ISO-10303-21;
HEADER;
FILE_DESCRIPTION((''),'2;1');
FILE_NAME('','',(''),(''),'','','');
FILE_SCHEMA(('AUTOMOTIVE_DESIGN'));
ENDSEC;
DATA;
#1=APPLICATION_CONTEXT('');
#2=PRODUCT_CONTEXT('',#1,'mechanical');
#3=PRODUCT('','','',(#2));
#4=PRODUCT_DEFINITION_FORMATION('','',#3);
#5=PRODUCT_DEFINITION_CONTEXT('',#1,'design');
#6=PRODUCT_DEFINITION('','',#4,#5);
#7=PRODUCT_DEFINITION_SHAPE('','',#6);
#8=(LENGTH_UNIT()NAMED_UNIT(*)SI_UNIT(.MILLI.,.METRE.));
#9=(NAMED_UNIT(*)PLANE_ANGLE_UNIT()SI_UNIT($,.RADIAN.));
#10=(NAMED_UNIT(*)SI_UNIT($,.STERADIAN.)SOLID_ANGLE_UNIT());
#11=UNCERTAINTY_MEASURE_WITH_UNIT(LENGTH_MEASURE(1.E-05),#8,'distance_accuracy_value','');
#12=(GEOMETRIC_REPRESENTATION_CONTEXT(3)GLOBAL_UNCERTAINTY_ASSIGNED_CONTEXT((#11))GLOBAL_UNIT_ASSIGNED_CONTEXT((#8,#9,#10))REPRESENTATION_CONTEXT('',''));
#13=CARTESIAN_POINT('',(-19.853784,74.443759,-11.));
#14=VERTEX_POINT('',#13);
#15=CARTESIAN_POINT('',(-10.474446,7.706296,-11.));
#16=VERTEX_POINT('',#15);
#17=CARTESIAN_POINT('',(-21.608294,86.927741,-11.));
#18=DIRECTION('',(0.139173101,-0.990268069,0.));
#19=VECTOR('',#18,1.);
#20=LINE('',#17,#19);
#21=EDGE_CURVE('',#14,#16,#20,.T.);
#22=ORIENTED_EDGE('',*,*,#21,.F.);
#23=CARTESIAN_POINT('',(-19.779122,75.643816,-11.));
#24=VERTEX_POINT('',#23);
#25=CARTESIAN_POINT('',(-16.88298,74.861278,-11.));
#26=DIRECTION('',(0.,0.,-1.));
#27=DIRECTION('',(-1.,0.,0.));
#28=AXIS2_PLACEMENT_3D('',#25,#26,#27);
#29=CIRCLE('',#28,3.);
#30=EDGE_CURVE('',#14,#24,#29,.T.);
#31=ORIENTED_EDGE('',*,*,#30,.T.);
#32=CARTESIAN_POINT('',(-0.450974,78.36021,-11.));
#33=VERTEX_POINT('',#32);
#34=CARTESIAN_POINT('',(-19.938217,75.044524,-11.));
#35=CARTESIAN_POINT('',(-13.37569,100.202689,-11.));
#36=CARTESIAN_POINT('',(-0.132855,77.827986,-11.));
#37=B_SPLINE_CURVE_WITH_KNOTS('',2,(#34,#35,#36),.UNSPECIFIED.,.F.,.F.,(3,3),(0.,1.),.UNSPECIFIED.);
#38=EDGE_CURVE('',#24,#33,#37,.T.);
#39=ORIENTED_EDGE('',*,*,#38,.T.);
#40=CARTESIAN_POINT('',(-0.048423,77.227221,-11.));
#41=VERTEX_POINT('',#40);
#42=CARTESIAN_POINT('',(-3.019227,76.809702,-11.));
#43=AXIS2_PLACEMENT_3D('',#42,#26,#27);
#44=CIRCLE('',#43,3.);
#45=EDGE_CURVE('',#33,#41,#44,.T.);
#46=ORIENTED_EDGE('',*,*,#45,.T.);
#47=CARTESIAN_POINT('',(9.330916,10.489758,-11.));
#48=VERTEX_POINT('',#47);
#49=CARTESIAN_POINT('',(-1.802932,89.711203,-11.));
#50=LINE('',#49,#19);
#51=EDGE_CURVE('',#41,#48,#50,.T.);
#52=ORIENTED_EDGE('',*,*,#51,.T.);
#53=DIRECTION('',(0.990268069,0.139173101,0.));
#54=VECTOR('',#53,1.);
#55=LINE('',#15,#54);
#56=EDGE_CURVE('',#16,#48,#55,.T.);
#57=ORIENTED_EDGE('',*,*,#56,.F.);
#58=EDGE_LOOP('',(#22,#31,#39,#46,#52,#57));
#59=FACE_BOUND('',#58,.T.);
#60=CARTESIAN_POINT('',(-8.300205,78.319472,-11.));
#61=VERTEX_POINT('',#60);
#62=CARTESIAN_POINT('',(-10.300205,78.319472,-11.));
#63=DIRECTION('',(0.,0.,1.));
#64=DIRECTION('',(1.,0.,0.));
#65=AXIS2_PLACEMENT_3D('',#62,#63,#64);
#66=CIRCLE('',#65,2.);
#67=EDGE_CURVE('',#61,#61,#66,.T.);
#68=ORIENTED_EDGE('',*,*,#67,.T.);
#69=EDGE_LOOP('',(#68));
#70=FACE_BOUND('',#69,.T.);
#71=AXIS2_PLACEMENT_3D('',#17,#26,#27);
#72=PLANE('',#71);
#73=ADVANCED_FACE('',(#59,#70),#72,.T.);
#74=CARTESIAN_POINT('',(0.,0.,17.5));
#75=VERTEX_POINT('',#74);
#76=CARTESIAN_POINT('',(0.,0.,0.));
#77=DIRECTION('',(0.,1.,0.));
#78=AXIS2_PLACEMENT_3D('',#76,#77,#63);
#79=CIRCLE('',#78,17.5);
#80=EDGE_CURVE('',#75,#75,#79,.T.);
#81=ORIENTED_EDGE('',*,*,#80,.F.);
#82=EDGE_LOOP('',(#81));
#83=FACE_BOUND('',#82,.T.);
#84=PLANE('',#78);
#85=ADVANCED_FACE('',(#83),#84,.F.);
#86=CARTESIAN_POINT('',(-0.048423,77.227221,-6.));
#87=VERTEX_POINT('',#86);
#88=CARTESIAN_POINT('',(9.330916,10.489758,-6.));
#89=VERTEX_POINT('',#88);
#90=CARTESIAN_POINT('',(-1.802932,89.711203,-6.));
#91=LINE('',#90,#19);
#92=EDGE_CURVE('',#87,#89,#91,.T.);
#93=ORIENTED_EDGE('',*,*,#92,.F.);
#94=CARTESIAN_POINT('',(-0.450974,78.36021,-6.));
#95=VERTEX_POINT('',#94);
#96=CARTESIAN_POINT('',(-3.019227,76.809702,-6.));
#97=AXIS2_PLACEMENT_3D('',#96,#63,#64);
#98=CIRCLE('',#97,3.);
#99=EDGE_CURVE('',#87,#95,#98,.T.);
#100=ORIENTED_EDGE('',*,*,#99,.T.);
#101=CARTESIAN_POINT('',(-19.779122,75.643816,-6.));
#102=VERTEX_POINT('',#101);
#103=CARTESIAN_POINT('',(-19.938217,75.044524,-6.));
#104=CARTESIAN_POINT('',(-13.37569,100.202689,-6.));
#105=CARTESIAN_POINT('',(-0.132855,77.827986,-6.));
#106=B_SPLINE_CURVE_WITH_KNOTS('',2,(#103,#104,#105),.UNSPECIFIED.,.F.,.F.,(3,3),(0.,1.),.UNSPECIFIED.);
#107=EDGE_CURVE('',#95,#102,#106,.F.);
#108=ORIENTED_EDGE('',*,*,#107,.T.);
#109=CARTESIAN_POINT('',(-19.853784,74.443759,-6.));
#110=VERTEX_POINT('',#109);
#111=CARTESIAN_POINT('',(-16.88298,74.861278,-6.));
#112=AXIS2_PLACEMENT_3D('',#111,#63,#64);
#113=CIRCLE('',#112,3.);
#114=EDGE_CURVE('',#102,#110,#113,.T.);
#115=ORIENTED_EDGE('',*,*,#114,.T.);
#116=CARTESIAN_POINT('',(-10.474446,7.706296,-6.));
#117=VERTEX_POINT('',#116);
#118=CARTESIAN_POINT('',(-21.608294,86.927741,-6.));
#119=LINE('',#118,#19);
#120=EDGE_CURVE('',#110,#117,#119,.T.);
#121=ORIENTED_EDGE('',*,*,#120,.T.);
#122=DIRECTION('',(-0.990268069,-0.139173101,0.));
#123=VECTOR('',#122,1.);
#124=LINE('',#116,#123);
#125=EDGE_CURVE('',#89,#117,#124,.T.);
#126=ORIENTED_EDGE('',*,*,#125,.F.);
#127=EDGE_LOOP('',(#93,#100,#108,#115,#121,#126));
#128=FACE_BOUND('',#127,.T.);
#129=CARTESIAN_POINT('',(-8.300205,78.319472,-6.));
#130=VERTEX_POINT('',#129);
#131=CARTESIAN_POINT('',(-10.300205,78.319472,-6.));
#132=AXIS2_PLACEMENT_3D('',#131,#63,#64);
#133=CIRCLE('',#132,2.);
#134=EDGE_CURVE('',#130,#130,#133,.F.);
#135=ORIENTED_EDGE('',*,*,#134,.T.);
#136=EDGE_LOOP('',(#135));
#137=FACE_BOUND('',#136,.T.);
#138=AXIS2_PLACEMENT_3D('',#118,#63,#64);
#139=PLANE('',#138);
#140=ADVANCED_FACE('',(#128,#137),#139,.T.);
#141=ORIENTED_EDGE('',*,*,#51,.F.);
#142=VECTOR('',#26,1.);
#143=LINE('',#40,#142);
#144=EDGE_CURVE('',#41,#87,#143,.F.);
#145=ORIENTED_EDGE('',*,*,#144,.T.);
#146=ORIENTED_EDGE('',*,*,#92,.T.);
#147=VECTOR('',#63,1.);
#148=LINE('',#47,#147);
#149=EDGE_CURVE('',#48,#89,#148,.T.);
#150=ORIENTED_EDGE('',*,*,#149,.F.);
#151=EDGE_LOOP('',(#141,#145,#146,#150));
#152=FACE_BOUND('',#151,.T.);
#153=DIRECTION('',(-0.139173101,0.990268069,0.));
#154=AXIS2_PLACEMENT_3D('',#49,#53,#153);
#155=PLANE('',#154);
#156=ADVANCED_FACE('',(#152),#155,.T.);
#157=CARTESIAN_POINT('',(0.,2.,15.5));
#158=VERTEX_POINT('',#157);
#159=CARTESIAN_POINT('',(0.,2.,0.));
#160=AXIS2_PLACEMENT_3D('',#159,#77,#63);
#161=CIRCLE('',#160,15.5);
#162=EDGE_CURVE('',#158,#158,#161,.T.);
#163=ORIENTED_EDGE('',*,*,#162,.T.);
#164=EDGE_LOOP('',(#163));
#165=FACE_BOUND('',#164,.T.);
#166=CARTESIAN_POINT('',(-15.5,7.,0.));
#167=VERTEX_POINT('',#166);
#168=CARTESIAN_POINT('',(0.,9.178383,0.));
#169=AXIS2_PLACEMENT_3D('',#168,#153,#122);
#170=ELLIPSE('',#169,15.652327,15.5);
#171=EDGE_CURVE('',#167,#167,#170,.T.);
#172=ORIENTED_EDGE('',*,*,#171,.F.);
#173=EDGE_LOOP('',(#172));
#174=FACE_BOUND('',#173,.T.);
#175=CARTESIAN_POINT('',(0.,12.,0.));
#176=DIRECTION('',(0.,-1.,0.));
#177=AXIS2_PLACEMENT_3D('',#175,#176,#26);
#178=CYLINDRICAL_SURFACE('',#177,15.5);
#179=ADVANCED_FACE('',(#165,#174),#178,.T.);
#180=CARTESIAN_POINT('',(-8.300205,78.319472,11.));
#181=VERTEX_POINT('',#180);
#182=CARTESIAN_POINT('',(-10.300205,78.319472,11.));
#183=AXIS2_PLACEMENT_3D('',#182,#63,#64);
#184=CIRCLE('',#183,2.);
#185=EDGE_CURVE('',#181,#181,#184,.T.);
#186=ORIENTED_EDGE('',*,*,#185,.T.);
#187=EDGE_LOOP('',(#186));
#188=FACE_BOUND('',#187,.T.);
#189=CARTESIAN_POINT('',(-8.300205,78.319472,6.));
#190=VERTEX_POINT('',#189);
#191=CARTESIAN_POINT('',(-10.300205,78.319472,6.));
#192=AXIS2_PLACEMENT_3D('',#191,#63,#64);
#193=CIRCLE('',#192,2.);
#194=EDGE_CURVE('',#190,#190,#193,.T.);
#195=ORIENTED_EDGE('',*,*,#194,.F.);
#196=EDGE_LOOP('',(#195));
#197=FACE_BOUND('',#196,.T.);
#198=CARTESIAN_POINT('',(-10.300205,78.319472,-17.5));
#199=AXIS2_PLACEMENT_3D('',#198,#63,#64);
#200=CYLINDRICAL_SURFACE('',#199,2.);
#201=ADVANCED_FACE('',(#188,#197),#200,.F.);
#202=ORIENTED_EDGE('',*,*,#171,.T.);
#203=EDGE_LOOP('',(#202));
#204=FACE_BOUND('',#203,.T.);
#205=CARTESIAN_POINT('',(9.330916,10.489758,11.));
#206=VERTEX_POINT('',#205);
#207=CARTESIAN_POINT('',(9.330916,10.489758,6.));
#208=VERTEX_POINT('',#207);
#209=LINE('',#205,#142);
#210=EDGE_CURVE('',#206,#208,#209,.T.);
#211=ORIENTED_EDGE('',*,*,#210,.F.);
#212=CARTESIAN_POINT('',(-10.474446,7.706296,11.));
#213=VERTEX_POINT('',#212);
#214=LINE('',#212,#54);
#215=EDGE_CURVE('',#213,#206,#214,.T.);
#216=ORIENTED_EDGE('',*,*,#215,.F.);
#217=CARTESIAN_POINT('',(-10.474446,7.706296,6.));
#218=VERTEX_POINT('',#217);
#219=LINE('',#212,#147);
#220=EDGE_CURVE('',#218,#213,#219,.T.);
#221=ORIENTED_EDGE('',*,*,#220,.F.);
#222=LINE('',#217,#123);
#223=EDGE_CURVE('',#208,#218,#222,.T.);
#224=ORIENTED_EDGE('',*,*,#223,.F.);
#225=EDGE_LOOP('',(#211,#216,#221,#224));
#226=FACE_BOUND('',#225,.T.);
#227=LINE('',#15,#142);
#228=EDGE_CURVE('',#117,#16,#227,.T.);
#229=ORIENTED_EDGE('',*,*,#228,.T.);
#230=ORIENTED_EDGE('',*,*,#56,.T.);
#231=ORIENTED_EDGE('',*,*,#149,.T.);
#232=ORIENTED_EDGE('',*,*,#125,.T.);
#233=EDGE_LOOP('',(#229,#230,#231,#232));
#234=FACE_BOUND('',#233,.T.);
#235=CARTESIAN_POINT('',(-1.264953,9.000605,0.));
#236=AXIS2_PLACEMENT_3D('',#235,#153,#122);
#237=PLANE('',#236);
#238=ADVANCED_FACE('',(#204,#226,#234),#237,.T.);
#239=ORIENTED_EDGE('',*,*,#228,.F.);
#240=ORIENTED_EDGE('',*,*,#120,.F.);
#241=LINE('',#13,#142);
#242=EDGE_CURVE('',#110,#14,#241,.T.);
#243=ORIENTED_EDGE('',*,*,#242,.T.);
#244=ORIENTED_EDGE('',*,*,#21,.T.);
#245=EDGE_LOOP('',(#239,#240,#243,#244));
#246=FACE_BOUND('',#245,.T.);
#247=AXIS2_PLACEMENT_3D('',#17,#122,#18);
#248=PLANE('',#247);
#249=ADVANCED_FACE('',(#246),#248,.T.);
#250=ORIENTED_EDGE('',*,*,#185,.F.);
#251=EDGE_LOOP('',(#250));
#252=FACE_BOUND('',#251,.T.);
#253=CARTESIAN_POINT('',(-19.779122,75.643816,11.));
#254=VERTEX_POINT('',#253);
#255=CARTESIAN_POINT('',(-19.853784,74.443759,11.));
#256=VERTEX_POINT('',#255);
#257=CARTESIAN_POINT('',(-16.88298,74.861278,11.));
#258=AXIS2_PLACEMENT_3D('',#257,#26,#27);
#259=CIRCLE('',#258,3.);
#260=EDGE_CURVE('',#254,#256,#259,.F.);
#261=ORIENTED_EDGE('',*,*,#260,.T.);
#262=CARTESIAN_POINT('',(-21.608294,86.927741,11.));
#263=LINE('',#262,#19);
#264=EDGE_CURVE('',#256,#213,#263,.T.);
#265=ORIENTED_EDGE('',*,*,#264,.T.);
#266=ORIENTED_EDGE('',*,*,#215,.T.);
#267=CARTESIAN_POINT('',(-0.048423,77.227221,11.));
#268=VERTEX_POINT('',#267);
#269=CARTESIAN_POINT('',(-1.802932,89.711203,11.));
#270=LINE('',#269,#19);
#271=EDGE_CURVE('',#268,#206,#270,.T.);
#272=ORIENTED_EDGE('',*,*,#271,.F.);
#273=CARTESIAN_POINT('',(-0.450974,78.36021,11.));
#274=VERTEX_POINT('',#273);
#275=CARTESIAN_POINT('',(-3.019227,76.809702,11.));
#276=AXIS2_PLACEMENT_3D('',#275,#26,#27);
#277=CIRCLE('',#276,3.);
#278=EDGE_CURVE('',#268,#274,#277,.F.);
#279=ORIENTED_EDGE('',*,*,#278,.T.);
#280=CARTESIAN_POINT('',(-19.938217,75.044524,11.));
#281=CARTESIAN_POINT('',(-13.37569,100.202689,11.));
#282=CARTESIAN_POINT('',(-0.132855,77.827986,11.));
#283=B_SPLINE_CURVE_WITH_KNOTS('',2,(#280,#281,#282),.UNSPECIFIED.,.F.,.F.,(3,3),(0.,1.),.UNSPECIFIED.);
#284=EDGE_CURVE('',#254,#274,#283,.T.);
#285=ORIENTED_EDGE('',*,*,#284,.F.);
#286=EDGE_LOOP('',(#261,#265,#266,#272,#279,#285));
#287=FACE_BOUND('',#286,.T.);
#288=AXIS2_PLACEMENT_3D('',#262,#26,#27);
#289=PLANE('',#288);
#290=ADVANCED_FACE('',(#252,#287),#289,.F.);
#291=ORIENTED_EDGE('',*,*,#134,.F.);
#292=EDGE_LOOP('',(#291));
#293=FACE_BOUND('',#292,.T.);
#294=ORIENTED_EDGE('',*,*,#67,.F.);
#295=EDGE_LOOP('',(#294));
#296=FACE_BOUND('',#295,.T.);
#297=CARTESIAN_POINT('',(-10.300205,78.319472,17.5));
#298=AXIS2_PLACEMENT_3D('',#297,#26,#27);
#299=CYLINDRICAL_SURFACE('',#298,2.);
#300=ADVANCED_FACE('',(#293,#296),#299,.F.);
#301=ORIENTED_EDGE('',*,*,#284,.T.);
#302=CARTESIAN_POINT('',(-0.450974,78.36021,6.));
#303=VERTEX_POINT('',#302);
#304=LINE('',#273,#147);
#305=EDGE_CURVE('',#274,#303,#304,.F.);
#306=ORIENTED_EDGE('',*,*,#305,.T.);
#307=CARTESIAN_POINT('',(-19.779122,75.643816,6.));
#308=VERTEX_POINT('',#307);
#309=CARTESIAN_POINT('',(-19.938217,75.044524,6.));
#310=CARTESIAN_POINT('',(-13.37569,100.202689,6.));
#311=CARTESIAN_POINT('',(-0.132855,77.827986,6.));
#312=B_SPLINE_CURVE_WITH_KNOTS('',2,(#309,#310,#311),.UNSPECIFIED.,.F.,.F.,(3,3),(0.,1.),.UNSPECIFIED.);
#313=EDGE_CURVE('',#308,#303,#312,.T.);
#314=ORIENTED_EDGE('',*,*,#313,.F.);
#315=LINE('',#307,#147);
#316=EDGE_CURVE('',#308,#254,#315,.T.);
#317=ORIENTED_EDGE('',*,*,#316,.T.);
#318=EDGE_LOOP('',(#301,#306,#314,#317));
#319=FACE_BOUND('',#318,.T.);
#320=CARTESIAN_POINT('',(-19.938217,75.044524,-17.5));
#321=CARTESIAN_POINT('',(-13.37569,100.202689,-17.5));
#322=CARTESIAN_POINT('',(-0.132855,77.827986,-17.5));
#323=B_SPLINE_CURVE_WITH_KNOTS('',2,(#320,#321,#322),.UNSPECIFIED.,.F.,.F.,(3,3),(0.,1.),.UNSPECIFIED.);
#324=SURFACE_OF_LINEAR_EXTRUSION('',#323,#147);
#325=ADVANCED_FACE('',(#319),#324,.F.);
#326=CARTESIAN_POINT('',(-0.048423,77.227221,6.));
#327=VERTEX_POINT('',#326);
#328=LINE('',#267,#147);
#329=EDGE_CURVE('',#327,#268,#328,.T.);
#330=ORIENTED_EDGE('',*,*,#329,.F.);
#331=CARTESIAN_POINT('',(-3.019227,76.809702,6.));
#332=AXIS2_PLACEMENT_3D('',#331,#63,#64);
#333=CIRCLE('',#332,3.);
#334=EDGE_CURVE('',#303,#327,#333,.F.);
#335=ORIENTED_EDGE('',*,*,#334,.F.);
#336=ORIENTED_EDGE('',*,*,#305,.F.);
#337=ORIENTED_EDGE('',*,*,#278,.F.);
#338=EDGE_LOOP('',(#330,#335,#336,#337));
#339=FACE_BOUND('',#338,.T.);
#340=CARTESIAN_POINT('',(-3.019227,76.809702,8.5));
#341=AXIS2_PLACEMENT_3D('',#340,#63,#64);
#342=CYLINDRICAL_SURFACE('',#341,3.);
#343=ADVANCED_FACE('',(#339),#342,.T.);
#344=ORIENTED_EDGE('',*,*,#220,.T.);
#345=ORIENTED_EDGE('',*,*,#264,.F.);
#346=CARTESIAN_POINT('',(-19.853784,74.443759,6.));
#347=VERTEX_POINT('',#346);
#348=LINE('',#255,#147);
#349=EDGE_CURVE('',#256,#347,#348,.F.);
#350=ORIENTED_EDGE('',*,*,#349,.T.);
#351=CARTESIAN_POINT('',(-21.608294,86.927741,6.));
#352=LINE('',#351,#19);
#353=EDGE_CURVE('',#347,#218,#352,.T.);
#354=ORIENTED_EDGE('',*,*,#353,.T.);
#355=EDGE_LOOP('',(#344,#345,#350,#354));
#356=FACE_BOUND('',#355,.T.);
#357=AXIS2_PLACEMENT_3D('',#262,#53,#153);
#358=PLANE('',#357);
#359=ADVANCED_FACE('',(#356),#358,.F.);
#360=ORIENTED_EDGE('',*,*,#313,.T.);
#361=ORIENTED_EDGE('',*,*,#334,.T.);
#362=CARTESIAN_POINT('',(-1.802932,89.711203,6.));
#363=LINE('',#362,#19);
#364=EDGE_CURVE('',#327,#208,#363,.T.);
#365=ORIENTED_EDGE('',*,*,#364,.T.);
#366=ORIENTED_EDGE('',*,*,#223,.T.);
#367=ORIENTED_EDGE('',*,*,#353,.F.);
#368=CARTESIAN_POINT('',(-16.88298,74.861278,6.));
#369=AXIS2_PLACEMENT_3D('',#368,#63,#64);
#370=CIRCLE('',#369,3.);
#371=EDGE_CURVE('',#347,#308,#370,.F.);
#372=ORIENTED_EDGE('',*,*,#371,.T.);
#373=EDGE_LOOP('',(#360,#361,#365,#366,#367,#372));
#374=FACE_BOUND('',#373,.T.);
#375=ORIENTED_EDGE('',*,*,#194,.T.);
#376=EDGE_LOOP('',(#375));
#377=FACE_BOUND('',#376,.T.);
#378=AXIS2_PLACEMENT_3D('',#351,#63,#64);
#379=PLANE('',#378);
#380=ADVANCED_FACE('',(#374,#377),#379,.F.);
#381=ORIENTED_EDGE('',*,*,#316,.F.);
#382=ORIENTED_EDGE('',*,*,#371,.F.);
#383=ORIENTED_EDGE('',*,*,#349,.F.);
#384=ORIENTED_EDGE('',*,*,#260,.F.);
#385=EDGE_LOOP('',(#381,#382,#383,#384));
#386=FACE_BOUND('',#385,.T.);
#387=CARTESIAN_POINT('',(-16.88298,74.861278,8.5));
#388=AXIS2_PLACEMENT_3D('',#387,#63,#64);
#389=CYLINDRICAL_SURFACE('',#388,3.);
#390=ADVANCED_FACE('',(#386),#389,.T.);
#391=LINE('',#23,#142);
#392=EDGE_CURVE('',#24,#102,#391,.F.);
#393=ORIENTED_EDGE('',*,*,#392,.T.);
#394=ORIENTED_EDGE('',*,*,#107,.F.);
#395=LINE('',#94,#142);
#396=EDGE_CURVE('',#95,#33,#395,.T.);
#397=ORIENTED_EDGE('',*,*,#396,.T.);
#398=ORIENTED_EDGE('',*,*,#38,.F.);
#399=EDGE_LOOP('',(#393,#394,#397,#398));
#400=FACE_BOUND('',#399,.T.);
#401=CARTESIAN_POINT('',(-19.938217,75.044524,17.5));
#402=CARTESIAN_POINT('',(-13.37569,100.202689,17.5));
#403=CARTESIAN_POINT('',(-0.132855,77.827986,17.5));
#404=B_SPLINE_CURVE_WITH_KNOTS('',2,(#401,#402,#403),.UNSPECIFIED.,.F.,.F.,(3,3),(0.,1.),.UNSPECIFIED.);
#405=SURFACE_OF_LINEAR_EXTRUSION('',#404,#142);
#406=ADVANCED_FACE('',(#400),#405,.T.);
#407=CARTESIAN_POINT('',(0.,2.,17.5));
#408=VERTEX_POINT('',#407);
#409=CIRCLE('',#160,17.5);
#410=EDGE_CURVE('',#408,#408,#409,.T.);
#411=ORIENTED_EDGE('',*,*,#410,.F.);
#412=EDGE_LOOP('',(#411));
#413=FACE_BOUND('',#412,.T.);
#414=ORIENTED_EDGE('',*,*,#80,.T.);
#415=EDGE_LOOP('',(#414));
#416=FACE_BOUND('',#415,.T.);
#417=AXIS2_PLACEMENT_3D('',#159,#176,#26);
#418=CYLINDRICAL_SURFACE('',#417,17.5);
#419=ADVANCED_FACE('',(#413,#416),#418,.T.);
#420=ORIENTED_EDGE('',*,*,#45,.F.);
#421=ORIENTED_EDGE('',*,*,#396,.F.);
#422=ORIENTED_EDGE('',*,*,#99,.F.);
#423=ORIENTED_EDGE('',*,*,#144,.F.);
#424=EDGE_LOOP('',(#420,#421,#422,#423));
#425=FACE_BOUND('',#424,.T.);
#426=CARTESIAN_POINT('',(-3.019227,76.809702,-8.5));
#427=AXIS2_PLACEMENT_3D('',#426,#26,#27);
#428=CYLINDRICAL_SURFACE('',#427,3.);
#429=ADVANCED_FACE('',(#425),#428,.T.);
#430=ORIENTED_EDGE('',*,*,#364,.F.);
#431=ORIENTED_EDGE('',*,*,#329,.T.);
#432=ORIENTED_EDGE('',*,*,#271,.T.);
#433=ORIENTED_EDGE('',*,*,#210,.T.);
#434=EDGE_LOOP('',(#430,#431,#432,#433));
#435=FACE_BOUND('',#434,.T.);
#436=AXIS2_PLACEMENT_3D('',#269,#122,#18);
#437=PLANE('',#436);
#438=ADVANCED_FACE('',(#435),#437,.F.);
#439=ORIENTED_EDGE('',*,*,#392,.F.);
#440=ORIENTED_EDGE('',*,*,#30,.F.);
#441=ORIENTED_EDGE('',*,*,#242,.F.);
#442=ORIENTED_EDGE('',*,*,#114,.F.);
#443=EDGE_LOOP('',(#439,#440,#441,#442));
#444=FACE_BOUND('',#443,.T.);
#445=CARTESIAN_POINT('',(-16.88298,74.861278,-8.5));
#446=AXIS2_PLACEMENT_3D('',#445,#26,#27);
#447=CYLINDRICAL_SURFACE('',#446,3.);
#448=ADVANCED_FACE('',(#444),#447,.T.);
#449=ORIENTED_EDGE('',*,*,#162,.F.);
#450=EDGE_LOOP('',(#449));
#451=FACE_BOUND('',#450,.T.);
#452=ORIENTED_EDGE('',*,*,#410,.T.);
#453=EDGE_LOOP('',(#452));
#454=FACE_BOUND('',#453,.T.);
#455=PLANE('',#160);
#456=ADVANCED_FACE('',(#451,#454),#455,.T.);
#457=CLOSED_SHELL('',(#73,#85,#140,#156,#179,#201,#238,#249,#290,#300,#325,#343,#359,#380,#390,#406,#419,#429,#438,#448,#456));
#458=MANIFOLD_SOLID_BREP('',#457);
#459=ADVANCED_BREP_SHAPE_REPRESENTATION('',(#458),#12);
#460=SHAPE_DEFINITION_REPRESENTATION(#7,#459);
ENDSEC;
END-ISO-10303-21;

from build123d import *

# Parameters (mm, degrees)
CROQUIS2_R              = 17.5
SALIENTE_EXTRUIR1_DEPTH = 2
CROQUIS3_R              = 15.5
SALIENTE_EXTRUIR2_DEPTH = 10
CROQUIS6_W              = 20
CROQUIS6_H              = 5
SALIENTE_EXTRUIR4_DEPTH = 80
CROQUIS7_R              = 2
CORTAR_EXTRUIR4_DEPTH   = 97.577783797
REDONDEO1_R             = 3


with BuildPart() as part:
    # Croquis2 → Saliente-Extruir1 (new body)
    with BuildSketch(Plane(origin=(0, 0, 0), x_dir=(1, 0, 0), z_dir=(0, 1, 0))):
        with Locations(Location((0, 0, 0), (0, 0, 270))):
            Circle(CROQUIS2_R)
    extrude(amount=SALIENTE_EXTRUIR1_DEPTH)

    # Croquis3 → Saliente-Extruir2 (add)
    with BuildSketch(Plane(origin=(0, 2, 0), x_dir=(1, 0, 0), z_dir=(0, 1, 0))):
        with Locations(Location((0, 0, 0), (0, 0, 270))):
            Circle(CROQUIS3_R)
    extrude(amount=SALIENTE_EXTRUIR2_DEPTH)

    # Cortar con superficie2
    split(bisect_by=Plane(origin=(-1.264952602, 9.000605443, 0), x_dir=(0, 0, 1), z_dir=(-0.13917310096006574, 0.9902680687415703, 0)), keep=Keep.BOTTOM)

    # Croquis6 → Saliente-Extruir4 (add)
    with BuildSketch(Plane(origin=(-1.264952602, 9.000605443, 0), x_dir=(0.9902680687415704, 0.13917310096006577, 0), z_dir=(-0.13917310096006577, 0.9902680687415704, 0))):
        with Locations((0.7, -8.5)):
            Rectangle(CROQUIS6_W, CROQUIS6_H)
    saliente_extruir4 = extrude(amount=SALIENTE_EXTRUIR4_DEPTH)

    # Croquis7 → Cortar-Extruir4 (cut, through all)
    with BuildSketch(Plane.XY.offset(11)):
        with BuildLine():
            Line((-21.608293718, 86.927741104), (-19.938216506, 75.044524279))
            add(Edge.make_bspline(
                [(-19.938216506, 75.044524279), (-16.656953462, 87.623606273), (-11.705613295, 88.319472076)],
                knots=[0, 0, 0, 0.499999987, 0.499999987, 0.499999987], degree=2))
            Line((-11.705613295, 88.319472076), (-21.608293718, 86.927741104))
        make_face()
        with BuildLine():
            Line((-1.802932343, 89.711203123), (-11.705613295, 88.319472076))
            add(Edge.make_bspline(
                [(-11.705613295, 88.319472076), (-6.754272863, 89.015337917), (-0.132855132, 77.827986298)],
                knots=[0.499999987, 0.499999987, 0.499999987, 1, 1, 1], degree=2))
            Line((-0.132855132, 77.827986298), (-1.802932343, 89.711203123))
        make_face()
        with Locations((-10.300204683, 78.319472113)):
            Circle(CROQUIS7_R)
    cortar_extruir4 = extrude(amount=-CORTAR_EXTRUIR4_DEPTH, mode=Mode.SUBTRACT)

    # Simetría1: Saliente-Extruir4, Cortar-Extruir4 across plane
    add(saliente_extruir4.mirror(Plane.XY))
    add(cortar_extruir4.mirror(Plane.XY), mode=Mode.SUBTRACT)

    # Redondeo1
    redondeo1_edges = [part.edges().sort_by_distance(p)[0] for p in [
        (-0.132855132, 77.827986298, 8.5),
        (-19.938216506, 75.044524279, 8.5),
        (-0.132855132, 77.827986298, -8.5),
        (-19.938216506, 75.044524279, -8.5),
    ]]
    fillet(redondeo1_edges, radius=REDONDEO1_R)


solid = part.part
